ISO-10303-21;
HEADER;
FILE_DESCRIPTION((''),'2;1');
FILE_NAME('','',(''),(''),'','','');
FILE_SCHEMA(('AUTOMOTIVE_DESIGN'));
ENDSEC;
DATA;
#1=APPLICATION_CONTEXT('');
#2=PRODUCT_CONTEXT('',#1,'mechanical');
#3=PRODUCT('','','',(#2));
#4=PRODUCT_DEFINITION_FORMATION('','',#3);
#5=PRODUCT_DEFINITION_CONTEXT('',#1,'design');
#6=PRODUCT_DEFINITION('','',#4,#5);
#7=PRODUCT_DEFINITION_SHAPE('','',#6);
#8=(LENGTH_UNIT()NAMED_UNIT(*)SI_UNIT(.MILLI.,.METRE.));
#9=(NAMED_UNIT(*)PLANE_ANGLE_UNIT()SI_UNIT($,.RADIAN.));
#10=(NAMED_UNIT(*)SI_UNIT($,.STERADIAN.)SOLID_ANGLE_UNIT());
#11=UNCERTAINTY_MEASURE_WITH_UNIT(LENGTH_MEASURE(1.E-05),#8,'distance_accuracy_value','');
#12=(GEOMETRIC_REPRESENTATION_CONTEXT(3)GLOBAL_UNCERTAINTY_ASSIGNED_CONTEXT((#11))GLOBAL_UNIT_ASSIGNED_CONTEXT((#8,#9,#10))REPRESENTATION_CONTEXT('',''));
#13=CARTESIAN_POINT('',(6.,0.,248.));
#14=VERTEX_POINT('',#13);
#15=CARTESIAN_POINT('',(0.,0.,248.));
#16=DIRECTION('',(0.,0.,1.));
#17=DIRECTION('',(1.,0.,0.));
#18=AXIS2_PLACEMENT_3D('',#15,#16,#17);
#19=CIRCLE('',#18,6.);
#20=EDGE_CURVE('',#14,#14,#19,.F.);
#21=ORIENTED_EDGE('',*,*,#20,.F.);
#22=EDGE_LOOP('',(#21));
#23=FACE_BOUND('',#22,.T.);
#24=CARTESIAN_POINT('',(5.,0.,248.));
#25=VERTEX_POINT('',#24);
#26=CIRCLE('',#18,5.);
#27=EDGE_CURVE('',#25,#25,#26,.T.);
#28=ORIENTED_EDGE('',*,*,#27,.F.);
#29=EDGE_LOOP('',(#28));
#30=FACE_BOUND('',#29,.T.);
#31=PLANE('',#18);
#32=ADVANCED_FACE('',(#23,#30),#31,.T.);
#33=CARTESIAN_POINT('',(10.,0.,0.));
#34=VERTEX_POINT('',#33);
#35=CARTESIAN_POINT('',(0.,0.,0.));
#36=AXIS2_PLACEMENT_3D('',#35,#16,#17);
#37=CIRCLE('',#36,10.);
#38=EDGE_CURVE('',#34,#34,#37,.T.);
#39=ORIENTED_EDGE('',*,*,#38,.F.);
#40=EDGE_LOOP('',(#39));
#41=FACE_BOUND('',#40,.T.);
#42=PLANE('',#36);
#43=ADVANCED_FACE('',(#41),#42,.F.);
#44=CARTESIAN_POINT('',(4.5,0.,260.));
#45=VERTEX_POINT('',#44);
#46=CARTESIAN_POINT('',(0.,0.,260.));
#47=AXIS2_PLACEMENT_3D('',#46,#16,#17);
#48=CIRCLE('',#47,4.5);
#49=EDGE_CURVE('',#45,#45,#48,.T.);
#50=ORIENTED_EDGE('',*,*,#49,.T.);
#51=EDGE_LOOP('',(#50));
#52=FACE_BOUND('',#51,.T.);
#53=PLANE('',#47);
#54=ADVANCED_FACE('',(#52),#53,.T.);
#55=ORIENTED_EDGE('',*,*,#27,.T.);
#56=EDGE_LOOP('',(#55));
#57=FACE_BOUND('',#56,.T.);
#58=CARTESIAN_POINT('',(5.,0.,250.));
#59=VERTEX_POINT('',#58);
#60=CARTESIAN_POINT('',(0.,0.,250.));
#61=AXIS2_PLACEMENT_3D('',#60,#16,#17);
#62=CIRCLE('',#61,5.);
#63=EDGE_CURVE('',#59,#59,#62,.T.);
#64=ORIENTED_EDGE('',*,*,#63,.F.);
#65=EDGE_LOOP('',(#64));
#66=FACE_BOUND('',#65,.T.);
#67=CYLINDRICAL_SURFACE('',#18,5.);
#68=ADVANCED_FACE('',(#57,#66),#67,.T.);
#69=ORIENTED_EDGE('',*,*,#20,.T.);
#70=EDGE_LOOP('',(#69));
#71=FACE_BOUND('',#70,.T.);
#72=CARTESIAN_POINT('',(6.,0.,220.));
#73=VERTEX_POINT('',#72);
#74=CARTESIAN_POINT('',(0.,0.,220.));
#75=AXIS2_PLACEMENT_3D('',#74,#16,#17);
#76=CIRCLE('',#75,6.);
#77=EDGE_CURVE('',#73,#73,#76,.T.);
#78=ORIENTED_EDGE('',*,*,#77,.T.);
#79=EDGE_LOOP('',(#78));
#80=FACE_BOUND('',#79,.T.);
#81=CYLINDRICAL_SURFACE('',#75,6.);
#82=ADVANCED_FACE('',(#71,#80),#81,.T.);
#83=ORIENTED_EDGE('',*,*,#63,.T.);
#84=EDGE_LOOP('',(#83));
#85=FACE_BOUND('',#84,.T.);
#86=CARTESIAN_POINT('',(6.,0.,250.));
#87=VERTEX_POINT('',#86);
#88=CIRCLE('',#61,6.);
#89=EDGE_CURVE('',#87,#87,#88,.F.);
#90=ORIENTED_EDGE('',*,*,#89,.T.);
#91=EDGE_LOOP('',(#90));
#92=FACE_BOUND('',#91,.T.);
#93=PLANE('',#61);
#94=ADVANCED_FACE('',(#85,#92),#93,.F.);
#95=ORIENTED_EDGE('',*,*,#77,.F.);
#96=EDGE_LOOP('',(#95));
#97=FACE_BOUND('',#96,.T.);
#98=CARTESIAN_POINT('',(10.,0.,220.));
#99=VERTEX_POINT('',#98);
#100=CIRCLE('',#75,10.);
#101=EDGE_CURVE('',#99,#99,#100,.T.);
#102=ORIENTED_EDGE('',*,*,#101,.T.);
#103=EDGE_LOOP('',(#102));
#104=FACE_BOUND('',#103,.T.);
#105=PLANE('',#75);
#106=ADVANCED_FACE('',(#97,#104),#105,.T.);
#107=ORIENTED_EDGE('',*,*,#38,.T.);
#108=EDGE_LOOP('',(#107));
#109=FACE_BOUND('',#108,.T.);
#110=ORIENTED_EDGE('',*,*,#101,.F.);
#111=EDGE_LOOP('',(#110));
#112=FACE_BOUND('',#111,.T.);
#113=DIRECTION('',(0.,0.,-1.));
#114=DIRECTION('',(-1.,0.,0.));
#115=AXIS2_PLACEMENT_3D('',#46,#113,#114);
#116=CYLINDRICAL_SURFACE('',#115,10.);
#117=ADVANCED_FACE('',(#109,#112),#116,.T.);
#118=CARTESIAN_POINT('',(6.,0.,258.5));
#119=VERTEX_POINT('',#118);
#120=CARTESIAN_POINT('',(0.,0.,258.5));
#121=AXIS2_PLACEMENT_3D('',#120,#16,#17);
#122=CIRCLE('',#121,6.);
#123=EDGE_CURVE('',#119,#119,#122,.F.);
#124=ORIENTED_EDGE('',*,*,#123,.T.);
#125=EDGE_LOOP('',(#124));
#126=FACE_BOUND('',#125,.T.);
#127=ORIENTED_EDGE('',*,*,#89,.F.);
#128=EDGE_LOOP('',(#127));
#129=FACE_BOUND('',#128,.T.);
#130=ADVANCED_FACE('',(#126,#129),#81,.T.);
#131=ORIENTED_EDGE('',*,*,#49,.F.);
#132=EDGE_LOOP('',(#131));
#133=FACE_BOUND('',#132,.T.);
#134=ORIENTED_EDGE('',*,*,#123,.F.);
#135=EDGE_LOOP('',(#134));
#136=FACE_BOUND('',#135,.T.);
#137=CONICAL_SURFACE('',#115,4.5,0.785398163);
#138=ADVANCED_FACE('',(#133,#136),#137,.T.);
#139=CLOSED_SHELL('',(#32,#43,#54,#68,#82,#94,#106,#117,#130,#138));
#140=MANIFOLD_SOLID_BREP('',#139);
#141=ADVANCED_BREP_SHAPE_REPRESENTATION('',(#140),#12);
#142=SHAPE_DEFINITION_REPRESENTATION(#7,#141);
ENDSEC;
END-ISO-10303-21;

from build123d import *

# Parameters (mm, degrees)
SKETCH_1_R          = 10
EXTRUDE_1_DEPTH     = 260
SKETCH_2_OUTSIDE_W  = 74.306
SKETCH_2_OUTSIDE_H  = 74.306
SKETCH_2_OUTSIDE_R  = 6
CUT_EXTRUDE_1_DEPTH = 40
SKETCH_3_OUTSIDE_W  = 74.306
SKETCH_3_OUTSIDE_H  = 74.306
SKETCH_3_OUTSIDE_R  = 5
CUT_EXTRUDE_2_DEPTH = 2
CHAMFER_1_SIZE      = 1.5


with BuildPart() as part:
    # 草图1 → 凸台-拉伸1 (new body)
    with BuildSketch(Plane.XY):
        Circle(SKETCH_1_R)
    extrude(amount=EXTRUDE_1_DEPTH)

    # 草图2 outside → 切除-拉伸1 (cut)
    with BuildSketch(Plane.XY.offset(260)):
        Rectangle(SKETCH_2_OUTSIDE_W, SKETCH_2_OUTSIDE_H)
        Circle(SKETCH_2_OUTSIDE_R, mode=Mode.SUBTRACT)
    extrude(amount=-CUT_EXTRUDE_1_DEPTH, mode=Mode.SUBTRACT)

    # 草图3 outside → 切除-拉伸2 (cut)
    with BuildSketch(Plane.XY.offset(250)):
        Rectangle(SKETCH_3_OUTSIDE_W, SKETCH_3_OUTSIDE_H)
        Circle(SKETCH_3_OUTSIDE_R, mode=Mode.SUBTRACT)
    extrude(amount=-CUT_EXTRUDE_2_DEPTH, mode=Mode.SUBTRACT)

    # 倒角1
    chamfer_1_edges = [part.edges().sort_by_distance(p)[0] for p in [
        (-6, 0, 260),
    ]]
    chamfer(chamfer_1_edges, length=CHAMFER_1_SIZE)


solid = part.part
